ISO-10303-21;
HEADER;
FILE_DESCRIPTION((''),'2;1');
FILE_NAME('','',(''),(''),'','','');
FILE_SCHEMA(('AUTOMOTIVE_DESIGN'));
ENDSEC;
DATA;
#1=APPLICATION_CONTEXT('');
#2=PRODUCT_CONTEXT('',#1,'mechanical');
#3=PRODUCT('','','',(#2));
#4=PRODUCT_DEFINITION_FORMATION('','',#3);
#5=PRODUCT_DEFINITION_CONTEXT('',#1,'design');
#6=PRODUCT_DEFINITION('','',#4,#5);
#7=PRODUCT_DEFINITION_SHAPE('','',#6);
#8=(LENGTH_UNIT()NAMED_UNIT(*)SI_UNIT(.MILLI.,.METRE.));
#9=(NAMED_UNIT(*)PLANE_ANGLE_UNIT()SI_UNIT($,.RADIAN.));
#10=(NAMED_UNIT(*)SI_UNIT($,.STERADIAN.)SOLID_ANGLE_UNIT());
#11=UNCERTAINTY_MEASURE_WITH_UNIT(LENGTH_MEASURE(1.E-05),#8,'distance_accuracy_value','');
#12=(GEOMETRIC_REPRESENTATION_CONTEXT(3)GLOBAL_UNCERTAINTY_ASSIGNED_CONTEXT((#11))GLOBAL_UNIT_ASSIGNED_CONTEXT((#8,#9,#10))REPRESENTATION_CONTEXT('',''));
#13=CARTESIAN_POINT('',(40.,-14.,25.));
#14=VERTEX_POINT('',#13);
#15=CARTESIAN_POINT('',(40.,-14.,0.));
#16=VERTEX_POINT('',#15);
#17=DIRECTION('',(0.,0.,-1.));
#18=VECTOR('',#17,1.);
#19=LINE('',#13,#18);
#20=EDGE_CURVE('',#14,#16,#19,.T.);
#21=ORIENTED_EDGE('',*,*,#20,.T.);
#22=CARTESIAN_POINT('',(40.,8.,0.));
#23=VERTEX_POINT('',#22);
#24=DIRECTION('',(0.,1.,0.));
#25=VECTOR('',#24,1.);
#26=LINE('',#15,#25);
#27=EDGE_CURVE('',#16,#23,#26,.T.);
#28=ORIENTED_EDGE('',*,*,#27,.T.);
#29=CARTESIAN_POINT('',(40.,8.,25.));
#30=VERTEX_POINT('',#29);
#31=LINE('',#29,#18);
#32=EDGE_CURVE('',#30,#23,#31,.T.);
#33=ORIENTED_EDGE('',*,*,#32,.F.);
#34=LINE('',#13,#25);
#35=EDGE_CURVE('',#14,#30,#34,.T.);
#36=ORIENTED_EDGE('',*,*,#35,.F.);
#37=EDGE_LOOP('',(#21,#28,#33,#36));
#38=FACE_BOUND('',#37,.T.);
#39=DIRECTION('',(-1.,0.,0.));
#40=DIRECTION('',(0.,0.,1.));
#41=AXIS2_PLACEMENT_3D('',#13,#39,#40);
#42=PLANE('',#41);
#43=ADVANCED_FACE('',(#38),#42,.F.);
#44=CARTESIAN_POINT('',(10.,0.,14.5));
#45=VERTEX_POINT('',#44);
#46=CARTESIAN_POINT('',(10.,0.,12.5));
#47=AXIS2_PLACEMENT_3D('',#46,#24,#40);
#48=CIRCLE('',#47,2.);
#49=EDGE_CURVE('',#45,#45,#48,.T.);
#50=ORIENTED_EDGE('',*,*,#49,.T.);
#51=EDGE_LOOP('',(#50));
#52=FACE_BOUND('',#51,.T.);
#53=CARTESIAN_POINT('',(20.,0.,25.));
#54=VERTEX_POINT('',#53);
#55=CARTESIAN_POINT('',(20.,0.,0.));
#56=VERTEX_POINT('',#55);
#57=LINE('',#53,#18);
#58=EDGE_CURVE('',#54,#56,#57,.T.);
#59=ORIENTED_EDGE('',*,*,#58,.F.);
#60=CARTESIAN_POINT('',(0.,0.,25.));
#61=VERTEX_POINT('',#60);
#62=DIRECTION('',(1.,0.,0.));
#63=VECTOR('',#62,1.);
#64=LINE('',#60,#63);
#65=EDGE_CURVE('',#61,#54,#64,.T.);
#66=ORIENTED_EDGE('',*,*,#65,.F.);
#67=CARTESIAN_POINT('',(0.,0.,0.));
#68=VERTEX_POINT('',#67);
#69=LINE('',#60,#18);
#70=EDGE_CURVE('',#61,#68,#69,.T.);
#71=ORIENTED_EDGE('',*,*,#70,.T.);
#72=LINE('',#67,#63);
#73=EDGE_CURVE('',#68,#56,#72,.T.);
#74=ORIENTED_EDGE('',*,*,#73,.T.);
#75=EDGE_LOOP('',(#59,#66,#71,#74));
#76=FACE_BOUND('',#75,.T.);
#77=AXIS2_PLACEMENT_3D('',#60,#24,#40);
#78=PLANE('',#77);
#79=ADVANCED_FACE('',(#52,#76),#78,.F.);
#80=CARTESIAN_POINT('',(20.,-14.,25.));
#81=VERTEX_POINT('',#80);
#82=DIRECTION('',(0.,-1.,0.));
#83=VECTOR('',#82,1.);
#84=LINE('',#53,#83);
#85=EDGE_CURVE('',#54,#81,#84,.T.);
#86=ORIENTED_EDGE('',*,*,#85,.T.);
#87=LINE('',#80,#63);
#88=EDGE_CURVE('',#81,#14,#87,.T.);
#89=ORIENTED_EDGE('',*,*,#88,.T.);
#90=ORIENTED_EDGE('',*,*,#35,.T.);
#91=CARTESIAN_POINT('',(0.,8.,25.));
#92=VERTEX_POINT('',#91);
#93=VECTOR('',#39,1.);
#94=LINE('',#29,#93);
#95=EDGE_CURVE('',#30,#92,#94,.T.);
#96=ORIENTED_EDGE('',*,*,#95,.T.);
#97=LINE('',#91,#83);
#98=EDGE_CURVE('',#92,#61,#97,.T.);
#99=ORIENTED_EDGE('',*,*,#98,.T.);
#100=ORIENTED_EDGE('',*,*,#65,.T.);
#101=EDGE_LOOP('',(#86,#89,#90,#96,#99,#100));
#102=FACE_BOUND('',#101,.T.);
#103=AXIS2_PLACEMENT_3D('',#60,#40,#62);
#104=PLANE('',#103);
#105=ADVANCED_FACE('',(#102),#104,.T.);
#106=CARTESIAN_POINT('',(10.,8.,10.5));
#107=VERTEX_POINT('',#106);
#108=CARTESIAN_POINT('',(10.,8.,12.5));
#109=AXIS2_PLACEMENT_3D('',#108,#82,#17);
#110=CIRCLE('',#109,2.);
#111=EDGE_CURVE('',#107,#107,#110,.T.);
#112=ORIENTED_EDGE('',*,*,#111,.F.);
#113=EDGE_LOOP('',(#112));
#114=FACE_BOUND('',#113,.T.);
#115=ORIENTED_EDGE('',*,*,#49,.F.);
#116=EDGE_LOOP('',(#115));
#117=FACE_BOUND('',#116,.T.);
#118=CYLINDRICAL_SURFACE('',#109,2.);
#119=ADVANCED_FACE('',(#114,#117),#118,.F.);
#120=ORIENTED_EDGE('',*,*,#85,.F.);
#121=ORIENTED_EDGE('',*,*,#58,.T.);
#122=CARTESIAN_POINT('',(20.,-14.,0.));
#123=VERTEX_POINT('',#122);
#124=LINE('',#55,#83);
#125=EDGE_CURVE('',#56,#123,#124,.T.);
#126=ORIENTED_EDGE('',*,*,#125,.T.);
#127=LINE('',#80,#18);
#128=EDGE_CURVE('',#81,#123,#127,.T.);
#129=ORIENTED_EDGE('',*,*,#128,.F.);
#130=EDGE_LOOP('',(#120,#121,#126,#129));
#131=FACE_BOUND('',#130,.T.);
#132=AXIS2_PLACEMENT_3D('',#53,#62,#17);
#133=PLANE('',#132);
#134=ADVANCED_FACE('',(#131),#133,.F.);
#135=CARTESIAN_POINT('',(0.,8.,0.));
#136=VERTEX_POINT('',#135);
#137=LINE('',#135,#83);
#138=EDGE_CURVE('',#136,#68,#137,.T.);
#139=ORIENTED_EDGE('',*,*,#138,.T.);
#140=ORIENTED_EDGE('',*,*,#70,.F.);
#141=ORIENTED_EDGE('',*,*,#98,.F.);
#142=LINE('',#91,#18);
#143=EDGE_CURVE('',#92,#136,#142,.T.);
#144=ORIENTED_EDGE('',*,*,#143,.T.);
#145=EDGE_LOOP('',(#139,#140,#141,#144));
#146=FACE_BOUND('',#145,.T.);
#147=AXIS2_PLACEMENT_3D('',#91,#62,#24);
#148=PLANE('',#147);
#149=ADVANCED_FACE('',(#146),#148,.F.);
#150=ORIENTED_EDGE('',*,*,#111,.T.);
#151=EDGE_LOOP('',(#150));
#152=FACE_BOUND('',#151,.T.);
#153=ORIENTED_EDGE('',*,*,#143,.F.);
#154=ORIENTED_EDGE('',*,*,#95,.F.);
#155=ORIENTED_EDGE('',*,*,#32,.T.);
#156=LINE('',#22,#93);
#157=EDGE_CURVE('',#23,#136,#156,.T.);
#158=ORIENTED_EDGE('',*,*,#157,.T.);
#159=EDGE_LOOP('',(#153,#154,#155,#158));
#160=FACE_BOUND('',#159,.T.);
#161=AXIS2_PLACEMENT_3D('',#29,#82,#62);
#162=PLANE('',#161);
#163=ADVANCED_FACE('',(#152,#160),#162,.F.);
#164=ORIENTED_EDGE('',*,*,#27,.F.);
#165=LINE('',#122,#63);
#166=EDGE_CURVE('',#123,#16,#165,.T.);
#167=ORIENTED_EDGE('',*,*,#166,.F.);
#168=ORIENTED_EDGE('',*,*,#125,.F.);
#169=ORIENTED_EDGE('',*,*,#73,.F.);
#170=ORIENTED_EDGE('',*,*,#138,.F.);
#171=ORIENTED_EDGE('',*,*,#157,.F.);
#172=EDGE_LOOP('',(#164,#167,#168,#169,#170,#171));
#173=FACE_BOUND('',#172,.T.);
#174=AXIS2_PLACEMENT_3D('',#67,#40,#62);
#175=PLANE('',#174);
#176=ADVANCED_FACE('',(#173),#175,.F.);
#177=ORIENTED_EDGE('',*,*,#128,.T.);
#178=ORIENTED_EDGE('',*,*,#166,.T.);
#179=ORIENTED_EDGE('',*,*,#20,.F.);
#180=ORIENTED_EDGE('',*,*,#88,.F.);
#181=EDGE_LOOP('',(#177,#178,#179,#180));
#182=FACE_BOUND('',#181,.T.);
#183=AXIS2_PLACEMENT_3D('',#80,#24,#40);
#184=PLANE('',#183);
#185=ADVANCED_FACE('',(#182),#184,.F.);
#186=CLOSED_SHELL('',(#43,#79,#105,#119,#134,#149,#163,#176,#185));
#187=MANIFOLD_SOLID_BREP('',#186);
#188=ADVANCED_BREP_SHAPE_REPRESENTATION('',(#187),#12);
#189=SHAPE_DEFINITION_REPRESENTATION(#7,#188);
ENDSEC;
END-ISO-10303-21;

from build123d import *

# Parameters (mm, degrees)
BOSS_EXTRU_1_DEPTH           = 25
ENL_V_MAT_EXTRU_1_DEPTH      = 50.203658401
ENL_V_MAT_EXTRU_1_DEPTH_BACK = 50.203658401
ESQUISSE2_R                  = 2


with BuildPart() as part:
    # Esquisse1 → Boss.-Extru.1 (new body)
    with BuildSketch(Plane.XY):
        Polygon((0, 0), (20, 0), (20, -14), (40, -14), (40, 8), (0, 8), align=None)
    extrude(amount=BOSS_EXTRU_1_DEPTH)

    # Esquisse2 → Enlèv. mat.-Extru.1 (cut, two sides: drawn at the far end of the back side and taken through both)
    with BuildSketch(Plane.XZ.offset(-ENL_V_MAT_EXTRU_1_DEPTH_BACK)):
        with Locations(Location((10, 12.5, 0), (0, 0, 270))):
            Circle(ESQUISSE2_R)
    extrude(amount=ENL_V_MAT_EXTRU_1_DEPTH + ENL_V_MAT_EXTRU_1_DEPTH_BACK, mode=Mode.SUBTRACT)


solid = part.part
